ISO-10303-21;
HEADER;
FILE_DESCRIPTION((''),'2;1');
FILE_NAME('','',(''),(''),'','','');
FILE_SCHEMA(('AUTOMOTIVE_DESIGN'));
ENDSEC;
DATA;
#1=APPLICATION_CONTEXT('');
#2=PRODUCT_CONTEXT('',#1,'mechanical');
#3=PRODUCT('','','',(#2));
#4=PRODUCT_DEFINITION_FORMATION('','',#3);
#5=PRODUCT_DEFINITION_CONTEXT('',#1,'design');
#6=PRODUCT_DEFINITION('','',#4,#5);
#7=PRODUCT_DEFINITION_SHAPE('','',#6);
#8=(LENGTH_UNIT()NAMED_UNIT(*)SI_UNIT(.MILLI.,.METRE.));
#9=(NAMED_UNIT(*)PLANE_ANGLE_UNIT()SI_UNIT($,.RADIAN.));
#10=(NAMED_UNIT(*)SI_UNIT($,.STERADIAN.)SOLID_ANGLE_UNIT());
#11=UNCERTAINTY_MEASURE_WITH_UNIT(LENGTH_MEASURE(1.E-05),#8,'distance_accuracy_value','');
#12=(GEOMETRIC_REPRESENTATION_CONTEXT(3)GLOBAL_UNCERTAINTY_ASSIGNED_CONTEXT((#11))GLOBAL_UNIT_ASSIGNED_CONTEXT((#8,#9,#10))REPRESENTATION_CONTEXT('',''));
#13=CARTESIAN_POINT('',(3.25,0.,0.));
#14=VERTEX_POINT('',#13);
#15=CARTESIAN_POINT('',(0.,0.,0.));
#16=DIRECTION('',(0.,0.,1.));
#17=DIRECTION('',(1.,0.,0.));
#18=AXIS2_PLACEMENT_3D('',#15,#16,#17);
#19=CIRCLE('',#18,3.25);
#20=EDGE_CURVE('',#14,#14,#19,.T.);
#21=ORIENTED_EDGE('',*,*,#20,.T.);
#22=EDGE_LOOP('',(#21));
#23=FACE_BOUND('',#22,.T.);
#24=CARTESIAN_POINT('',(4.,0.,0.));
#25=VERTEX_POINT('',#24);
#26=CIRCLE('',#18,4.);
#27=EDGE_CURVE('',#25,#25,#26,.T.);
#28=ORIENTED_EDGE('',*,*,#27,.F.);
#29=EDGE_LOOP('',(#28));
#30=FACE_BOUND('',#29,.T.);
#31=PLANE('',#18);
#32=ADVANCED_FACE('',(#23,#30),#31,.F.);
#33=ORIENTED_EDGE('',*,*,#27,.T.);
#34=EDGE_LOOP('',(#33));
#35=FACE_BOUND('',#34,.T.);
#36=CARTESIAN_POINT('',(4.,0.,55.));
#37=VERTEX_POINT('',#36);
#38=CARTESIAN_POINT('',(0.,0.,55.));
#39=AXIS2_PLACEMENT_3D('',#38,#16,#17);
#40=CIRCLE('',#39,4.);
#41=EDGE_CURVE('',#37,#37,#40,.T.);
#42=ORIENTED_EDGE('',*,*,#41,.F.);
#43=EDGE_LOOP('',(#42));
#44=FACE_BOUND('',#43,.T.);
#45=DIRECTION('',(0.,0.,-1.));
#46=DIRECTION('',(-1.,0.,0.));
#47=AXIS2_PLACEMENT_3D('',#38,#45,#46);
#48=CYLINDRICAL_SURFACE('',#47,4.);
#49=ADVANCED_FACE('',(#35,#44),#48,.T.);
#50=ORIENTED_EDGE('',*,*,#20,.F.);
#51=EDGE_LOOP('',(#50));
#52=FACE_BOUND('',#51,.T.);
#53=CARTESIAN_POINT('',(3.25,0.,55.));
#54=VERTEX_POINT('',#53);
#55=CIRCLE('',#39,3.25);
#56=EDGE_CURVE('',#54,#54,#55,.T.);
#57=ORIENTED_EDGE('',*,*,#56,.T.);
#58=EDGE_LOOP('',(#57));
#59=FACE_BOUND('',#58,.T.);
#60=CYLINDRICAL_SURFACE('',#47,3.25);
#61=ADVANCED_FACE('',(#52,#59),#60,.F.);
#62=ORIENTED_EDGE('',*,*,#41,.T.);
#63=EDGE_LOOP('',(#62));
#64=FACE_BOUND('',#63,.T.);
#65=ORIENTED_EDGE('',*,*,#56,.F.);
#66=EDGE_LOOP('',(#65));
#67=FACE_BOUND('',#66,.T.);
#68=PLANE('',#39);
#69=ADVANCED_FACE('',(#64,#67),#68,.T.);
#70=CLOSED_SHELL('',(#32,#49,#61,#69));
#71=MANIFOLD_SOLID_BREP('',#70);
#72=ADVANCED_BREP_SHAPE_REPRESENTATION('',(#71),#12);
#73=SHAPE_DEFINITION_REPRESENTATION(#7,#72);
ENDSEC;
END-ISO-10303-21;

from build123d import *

# Parameters (mm, degrees)
CROQUIS1_R              = 4
CROQUIS1_R_2            = 3.25
SALIENTE_EXTRUIR1_DEPTH = 55


with BuildPart() as part:
    # Croquis1 → Saliente-Extruir1 (new body)
    with BuildSketch(Plane.XY):
        Circle(CROQUIS1_R)
        Circle(CROQUIS1_R_2, mode=Mode.SUBTRACT)
    extrude(amount=SALIENTE_EXTRUIR1_DEPTH)


solid = part.part
